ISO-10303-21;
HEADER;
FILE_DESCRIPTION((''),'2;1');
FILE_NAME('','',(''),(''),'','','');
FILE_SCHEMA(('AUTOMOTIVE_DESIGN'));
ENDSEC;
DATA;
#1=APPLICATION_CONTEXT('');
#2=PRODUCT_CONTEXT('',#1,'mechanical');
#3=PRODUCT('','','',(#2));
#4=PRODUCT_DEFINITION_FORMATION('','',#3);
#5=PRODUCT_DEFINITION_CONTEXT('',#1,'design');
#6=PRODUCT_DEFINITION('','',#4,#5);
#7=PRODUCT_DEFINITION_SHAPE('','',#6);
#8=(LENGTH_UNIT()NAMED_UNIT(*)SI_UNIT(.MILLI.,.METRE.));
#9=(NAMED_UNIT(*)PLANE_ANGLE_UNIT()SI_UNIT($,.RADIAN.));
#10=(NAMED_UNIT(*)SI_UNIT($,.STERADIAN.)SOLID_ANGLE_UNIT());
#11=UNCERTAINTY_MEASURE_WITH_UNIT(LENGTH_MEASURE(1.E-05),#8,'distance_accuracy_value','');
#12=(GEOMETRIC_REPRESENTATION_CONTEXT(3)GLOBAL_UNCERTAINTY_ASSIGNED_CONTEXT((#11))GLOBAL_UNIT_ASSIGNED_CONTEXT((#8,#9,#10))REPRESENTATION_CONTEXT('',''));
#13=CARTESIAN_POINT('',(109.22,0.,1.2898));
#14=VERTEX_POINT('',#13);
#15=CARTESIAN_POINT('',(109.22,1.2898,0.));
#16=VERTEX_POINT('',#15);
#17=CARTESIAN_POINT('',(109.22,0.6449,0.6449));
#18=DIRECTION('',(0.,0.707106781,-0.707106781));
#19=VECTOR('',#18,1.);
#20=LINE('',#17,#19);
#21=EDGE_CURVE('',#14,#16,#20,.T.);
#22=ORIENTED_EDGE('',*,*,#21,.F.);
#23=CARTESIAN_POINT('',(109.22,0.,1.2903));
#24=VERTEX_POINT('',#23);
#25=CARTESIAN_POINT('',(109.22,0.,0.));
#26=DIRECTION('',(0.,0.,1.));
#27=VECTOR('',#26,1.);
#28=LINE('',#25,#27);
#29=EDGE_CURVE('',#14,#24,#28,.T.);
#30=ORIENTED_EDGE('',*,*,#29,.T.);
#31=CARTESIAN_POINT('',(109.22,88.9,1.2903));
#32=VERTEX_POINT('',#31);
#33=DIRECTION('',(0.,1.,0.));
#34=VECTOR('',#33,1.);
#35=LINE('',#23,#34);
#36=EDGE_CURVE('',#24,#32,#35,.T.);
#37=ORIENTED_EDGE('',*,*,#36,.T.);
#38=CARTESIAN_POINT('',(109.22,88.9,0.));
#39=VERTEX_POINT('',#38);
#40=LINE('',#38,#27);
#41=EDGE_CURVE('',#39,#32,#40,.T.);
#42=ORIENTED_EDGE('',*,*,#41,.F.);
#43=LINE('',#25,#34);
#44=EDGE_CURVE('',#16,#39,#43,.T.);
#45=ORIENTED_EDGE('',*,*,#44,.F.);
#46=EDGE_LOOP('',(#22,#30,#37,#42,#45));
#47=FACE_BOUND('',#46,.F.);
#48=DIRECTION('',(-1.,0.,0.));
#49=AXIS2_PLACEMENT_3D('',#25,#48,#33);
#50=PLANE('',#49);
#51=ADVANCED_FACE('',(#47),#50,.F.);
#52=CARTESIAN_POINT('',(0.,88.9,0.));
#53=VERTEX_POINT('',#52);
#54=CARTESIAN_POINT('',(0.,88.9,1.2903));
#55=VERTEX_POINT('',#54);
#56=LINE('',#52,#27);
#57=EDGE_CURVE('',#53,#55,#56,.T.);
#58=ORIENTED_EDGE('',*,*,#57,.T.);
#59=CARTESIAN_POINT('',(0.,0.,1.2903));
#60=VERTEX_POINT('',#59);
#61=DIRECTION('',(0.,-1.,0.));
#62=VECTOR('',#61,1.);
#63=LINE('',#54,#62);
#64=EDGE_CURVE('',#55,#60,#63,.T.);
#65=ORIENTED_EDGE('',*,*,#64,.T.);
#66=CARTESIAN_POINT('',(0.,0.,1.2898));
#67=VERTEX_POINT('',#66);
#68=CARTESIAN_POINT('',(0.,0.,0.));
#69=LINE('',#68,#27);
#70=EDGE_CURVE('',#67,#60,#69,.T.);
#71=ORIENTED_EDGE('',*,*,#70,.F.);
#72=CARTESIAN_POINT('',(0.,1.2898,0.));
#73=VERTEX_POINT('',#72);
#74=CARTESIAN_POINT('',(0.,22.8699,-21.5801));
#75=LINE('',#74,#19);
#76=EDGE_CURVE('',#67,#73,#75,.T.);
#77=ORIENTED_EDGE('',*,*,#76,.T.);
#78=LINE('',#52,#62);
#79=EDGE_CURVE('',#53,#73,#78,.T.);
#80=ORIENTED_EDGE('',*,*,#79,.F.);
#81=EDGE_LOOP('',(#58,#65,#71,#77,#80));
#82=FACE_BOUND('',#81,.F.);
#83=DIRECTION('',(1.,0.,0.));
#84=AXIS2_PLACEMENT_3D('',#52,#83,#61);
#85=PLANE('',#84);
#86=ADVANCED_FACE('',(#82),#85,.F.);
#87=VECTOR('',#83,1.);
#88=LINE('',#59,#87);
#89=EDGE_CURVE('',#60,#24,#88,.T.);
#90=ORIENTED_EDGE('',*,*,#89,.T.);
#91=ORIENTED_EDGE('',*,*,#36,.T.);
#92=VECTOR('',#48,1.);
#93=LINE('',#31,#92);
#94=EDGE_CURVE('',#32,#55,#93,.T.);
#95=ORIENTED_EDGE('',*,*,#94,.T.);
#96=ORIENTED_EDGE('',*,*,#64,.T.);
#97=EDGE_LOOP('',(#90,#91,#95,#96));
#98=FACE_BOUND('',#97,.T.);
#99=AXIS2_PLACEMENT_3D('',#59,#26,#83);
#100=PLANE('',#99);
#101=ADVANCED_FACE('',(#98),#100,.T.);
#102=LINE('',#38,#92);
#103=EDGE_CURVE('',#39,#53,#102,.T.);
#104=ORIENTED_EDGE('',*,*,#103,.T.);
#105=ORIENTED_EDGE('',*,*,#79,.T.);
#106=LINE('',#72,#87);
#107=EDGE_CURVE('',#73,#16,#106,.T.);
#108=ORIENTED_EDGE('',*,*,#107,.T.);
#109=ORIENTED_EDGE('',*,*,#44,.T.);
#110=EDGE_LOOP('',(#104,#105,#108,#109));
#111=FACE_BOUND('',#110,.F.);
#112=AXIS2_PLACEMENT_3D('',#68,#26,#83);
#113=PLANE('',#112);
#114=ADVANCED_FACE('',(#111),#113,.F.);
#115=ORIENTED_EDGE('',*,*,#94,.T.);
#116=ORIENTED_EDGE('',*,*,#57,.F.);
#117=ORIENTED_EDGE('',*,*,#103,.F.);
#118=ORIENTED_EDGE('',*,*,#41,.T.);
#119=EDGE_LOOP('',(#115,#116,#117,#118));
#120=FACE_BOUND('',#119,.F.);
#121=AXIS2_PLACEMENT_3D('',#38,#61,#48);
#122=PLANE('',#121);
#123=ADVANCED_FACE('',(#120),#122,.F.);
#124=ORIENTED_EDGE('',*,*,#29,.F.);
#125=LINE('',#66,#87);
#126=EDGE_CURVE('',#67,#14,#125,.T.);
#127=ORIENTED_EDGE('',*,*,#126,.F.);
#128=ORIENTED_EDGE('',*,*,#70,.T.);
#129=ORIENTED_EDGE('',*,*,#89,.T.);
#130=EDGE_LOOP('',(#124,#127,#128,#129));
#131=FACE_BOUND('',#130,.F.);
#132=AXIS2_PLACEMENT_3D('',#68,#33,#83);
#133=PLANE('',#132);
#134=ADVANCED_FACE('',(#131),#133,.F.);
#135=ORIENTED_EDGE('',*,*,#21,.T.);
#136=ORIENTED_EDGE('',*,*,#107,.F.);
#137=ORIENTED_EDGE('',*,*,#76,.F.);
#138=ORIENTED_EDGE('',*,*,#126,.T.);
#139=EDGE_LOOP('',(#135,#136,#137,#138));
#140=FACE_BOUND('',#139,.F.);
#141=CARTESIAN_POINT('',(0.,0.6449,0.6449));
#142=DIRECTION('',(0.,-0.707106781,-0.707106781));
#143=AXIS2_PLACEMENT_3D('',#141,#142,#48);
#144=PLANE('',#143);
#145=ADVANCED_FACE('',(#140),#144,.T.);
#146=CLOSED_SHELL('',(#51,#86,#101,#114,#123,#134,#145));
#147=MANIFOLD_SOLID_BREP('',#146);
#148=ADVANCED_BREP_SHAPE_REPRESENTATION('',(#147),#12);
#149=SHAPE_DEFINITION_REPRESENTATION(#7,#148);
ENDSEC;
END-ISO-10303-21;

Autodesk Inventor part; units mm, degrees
ref_plane "YZ Plane" through (0, 0, 0) normal (1, 0, 0) x (0, 1, 0)
ref_plane "XZ Plane" through (0, 0, 0) normal (0, 1, 0) x (-1, 0, 0)
ref_plane "XY Plane" through (0, 0, 0) normal (0, 0, 1) x (1, 0, 0)
sketch "Sketch1" plane through (0, 0, 0) normal (0, 0, 1) x (1, 0, 0)
  line L0 (0, 0) -> (109.22, 0)
  line L1 (109.22, 0) -> (109.22, 88.9)
  line L2 (109.22, 88.9) -> (0, 88.9)
  line L3 (0, 88.9) -> (0, 0)
  dimension "d0" = 109.22
  dimension "d1" = 88.9
extrude "Extrusion1" add sketch "Sketch1" along normal blind 1.2903
chamfer "Chamfer1" distance 1.2903 angle 45 1 edges at (54.61, 0, 0)
properties part number "Plate_Top_Alu25" material "Aluminum 6061"
